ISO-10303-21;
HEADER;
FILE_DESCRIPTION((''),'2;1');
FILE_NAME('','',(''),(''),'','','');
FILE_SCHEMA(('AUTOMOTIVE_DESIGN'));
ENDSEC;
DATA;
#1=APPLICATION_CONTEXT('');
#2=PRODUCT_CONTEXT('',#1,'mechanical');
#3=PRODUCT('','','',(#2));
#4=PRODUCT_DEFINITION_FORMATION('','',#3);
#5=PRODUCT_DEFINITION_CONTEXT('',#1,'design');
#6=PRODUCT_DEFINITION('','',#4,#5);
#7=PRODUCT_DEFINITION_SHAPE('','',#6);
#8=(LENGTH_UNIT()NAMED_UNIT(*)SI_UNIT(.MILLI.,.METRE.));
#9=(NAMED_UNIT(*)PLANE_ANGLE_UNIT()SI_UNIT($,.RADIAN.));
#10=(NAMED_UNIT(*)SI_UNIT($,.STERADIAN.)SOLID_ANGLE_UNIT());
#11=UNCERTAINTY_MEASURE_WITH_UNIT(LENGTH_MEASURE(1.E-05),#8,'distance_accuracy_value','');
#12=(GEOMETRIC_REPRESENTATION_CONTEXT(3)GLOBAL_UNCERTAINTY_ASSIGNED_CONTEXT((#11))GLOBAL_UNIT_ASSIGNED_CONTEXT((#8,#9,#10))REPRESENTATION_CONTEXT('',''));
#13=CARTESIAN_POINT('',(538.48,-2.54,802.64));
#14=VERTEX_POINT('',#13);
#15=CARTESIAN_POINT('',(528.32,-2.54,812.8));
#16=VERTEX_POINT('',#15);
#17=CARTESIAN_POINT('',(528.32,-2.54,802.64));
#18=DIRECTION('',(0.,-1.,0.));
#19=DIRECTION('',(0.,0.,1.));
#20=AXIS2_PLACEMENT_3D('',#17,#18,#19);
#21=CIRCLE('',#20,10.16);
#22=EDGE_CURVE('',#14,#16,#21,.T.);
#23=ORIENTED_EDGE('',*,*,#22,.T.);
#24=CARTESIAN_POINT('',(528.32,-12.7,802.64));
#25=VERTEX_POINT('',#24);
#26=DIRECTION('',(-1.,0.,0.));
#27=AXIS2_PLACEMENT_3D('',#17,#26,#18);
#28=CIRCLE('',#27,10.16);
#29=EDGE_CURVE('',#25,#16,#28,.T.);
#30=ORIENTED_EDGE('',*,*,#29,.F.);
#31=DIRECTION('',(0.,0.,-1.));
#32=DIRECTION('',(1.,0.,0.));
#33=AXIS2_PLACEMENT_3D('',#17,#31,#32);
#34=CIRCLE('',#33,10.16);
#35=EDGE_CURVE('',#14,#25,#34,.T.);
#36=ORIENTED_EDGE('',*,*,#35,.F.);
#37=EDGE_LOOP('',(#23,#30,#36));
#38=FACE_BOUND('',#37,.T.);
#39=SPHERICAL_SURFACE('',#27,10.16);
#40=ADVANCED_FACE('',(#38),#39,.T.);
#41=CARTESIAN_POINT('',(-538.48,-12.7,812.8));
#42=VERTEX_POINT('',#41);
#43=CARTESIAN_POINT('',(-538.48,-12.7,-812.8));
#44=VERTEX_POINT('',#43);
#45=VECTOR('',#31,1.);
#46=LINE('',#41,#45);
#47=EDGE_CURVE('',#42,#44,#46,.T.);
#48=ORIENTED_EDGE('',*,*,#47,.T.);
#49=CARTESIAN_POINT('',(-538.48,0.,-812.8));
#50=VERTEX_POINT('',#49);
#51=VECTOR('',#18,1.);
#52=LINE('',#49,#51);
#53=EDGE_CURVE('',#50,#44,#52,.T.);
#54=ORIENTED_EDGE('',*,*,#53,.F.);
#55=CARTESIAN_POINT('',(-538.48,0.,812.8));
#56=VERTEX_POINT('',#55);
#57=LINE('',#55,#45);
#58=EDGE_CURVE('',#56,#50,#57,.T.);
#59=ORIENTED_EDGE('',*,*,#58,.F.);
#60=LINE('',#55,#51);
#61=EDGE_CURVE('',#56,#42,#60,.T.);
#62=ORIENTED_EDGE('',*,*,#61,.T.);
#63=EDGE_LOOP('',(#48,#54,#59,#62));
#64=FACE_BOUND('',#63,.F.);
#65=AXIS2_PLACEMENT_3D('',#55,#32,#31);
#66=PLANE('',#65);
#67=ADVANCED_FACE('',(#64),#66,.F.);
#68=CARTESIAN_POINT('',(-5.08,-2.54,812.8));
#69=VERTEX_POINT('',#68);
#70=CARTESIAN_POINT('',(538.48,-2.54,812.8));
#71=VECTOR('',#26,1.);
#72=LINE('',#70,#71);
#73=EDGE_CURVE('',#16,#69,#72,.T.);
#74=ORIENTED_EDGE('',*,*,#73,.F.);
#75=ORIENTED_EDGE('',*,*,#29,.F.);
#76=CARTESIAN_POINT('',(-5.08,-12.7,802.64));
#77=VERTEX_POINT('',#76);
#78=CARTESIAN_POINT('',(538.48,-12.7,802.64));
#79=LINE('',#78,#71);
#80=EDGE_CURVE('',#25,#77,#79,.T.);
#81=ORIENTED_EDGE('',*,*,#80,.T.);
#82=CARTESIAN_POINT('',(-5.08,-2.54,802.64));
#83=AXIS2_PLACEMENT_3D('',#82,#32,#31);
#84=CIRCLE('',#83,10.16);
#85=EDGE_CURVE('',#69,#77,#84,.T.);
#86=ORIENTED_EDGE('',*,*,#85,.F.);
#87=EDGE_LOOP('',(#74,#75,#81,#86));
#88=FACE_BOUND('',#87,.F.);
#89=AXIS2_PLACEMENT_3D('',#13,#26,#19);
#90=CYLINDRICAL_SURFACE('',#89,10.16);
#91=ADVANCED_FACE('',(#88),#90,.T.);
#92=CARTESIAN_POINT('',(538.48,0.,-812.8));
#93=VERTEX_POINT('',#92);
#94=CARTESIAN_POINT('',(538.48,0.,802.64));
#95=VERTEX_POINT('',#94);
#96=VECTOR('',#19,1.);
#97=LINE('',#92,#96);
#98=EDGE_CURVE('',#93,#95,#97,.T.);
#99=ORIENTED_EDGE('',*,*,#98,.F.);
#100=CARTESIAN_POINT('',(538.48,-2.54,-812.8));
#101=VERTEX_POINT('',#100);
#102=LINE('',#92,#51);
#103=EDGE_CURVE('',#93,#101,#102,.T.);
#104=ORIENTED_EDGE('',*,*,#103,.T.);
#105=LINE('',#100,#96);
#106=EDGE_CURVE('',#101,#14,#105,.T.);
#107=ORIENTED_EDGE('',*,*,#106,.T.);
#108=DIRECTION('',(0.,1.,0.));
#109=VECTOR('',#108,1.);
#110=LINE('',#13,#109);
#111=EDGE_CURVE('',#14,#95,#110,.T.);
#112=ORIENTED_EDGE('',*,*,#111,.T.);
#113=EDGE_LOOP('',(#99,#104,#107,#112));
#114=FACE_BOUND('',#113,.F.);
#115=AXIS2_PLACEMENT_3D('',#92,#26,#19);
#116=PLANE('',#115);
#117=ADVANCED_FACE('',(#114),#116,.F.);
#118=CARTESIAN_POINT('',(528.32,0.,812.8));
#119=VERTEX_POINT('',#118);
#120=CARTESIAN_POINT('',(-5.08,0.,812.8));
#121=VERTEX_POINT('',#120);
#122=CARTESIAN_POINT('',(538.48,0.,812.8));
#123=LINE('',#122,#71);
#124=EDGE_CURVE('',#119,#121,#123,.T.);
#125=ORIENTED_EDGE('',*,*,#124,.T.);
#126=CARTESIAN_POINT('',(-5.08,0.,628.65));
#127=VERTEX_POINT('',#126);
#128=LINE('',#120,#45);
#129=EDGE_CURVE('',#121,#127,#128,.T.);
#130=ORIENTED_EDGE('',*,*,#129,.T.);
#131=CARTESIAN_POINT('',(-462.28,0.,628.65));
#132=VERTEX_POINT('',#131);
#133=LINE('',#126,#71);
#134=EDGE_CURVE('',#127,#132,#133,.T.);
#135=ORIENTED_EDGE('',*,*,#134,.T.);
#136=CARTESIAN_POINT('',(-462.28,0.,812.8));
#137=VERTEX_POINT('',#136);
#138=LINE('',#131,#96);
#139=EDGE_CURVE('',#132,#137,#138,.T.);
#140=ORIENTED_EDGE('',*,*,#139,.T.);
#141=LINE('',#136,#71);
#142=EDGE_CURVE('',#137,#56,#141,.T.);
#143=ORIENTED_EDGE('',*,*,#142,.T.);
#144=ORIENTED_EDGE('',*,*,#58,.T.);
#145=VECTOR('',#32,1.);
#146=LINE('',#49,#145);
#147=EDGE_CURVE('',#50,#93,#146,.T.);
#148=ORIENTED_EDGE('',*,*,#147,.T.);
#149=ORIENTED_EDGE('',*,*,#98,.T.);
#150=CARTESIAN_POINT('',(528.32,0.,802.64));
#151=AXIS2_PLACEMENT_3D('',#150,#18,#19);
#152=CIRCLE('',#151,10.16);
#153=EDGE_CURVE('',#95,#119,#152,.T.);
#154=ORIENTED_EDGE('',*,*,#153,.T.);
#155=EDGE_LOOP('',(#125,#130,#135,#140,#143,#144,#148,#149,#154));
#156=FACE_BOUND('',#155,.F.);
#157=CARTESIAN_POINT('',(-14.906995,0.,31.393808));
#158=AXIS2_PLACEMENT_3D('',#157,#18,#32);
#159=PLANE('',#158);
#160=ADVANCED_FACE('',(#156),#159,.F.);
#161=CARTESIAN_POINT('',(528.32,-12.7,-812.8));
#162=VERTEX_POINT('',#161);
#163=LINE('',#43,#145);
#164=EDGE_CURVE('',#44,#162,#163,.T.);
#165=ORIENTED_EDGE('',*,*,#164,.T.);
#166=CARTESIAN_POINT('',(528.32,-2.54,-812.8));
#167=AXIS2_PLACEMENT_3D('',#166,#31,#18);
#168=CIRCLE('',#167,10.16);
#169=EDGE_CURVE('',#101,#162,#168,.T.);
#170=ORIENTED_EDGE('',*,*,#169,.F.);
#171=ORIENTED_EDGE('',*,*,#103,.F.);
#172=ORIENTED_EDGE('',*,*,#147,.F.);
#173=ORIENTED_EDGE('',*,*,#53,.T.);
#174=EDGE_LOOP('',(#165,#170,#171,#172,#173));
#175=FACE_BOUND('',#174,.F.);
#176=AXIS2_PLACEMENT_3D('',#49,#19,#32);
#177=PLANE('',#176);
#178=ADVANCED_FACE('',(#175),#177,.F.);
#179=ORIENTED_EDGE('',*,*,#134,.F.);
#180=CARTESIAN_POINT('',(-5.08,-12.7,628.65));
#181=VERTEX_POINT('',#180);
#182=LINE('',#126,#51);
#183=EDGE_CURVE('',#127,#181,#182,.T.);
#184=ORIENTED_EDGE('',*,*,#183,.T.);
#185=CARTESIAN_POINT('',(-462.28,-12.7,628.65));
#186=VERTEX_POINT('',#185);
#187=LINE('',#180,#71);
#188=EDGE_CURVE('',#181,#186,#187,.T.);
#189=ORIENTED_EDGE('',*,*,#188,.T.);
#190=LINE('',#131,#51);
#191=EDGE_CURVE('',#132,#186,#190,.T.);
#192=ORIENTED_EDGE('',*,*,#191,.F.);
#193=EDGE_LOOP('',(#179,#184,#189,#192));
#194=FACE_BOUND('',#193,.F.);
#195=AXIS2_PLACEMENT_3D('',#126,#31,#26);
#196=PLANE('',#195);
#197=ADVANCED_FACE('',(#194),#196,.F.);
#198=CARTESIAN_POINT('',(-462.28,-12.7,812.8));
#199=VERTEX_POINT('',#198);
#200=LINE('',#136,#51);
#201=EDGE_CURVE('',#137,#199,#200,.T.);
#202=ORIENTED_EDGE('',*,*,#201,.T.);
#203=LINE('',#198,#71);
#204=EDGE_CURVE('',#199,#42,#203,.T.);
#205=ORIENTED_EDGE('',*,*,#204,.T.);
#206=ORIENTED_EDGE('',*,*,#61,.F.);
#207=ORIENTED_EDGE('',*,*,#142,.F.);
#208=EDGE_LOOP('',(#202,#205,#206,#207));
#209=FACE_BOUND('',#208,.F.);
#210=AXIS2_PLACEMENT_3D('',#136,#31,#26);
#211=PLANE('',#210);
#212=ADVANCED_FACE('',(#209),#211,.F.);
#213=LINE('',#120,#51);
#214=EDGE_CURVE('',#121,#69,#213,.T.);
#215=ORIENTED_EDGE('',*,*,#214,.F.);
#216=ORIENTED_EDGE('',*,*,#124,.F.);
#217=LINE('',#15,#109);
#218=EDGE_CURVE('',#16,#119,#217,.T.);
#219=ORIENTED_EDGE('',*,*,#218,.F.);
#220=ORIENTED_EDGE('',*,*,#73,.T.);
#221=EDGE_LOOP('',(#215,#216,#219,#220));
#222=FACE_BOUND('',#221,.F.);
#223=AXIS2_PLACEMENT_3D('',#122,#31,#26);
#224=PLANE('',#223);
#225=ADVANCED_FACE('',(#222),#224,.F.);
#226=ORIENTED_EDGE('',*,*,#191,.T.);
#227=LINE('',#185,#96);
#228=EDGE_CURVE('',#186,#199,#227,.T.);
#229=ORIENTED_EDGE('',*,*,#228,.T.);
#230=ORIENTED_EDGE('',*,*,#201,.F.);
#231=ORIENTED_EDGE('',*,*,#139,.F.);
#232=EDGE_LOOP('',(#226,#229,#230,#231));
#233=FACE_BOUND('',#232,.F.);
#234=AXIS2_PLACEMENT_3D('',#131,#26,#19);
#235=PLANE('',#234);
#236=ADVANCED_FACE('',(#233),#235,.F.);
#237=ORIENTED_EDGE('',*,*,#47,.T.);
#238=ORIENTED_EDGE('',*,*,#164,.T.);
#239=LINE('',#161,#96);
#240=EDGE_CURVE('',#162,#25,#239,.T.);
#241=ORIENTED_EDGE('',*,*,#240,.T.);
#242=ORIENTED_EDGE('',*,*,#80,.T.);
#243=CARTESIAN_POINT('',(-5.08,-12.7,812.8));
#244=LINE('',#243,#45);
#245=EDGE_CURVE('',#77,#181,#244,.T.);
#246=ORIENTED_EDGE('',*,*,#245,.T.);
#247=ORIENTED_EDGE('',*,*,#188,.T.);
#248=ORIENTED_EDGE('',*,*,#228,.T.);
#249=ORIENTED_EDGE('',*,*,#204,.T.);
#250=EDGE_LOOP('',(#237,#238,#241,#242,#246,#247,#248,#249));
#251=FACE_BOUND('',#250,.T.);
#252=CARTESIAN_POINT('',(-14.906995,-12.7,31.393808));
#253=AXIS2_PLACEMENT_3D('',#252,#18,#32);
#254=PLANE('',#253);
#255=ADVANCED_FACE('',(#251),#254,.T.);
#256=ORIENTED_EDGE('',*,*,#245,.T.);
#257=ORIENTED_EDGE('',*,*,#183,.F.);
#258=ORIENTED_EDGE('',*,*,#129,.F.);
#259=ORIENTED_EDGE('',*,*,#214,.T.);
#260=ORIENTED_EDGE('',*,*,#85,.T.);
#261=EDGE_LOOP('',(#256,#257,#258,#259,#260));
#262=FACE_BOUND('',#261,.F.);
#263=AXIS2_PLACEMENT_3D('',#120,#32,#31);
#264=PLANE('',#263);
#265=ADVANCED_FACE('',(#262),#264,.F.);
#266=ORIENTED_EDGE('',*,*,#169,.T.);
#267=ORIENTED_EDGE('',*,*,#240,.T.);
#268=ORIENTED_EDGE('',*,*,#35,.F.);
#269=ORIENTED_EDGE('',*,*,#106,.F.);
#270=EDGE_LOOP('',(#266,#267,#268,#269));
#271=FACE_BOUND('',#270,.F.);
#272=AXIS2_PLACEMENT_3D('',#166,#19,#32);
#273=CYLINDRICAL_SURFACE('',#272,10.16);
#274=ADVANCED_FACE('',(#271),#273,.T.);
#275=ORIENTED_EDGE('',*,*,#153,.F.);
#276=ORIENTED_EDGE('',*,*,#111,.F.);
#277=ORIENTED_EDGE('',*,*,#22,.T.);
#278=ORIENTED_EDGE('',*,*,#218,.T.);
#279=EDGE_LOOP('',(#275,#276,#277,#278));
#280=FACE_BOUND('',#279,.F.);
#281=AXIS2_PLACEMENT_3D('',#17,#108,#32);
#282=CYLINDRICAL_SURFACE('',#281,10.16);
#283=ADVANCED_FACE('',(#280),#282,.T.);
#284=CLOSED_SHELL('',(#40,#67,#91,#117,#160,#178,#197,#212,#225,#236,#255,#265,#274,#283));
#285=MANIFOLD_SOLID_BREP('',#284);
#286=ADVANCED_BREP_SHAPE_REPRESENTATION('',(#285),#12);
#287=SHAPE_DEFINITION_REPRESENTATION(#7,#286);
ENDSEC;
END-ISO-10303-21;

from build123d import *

# Parameters (mm, degrees)
F1_DEPTH = 12.7
F2_R     = 10.16
F3_R     = 10.16


with BuildPart() as f1:
    # F0 (on Front) → F1 (new body)
    with BuildSketch(Plane.XZ):
        Polygon((-538.48, -812.8), (538.48, -812.8), (538.48, 812.8), (-5.08, 812.8), (-5.08, 628.65), (-462.28, 628.65), (-462.28, 812.8), (-538.48, 812.8), align=None)
    extrude(amount=F1_DEPTH)

    # F2
    f2_edges = [f1.edges().sort_by_distance(p)[0] for p in [
        (266.7, -12.7, 812.8),
    ]]
    fillet(f2_edges, radius=F2_R)

    # F3
    f3_edges = [f1.edges().sort_by_distance(p)[0] for p in [
        (538.48, -12.7, -5.08),
    ]]
    fillet(f3_edges, radius=F3_R)


solid = f1.part
